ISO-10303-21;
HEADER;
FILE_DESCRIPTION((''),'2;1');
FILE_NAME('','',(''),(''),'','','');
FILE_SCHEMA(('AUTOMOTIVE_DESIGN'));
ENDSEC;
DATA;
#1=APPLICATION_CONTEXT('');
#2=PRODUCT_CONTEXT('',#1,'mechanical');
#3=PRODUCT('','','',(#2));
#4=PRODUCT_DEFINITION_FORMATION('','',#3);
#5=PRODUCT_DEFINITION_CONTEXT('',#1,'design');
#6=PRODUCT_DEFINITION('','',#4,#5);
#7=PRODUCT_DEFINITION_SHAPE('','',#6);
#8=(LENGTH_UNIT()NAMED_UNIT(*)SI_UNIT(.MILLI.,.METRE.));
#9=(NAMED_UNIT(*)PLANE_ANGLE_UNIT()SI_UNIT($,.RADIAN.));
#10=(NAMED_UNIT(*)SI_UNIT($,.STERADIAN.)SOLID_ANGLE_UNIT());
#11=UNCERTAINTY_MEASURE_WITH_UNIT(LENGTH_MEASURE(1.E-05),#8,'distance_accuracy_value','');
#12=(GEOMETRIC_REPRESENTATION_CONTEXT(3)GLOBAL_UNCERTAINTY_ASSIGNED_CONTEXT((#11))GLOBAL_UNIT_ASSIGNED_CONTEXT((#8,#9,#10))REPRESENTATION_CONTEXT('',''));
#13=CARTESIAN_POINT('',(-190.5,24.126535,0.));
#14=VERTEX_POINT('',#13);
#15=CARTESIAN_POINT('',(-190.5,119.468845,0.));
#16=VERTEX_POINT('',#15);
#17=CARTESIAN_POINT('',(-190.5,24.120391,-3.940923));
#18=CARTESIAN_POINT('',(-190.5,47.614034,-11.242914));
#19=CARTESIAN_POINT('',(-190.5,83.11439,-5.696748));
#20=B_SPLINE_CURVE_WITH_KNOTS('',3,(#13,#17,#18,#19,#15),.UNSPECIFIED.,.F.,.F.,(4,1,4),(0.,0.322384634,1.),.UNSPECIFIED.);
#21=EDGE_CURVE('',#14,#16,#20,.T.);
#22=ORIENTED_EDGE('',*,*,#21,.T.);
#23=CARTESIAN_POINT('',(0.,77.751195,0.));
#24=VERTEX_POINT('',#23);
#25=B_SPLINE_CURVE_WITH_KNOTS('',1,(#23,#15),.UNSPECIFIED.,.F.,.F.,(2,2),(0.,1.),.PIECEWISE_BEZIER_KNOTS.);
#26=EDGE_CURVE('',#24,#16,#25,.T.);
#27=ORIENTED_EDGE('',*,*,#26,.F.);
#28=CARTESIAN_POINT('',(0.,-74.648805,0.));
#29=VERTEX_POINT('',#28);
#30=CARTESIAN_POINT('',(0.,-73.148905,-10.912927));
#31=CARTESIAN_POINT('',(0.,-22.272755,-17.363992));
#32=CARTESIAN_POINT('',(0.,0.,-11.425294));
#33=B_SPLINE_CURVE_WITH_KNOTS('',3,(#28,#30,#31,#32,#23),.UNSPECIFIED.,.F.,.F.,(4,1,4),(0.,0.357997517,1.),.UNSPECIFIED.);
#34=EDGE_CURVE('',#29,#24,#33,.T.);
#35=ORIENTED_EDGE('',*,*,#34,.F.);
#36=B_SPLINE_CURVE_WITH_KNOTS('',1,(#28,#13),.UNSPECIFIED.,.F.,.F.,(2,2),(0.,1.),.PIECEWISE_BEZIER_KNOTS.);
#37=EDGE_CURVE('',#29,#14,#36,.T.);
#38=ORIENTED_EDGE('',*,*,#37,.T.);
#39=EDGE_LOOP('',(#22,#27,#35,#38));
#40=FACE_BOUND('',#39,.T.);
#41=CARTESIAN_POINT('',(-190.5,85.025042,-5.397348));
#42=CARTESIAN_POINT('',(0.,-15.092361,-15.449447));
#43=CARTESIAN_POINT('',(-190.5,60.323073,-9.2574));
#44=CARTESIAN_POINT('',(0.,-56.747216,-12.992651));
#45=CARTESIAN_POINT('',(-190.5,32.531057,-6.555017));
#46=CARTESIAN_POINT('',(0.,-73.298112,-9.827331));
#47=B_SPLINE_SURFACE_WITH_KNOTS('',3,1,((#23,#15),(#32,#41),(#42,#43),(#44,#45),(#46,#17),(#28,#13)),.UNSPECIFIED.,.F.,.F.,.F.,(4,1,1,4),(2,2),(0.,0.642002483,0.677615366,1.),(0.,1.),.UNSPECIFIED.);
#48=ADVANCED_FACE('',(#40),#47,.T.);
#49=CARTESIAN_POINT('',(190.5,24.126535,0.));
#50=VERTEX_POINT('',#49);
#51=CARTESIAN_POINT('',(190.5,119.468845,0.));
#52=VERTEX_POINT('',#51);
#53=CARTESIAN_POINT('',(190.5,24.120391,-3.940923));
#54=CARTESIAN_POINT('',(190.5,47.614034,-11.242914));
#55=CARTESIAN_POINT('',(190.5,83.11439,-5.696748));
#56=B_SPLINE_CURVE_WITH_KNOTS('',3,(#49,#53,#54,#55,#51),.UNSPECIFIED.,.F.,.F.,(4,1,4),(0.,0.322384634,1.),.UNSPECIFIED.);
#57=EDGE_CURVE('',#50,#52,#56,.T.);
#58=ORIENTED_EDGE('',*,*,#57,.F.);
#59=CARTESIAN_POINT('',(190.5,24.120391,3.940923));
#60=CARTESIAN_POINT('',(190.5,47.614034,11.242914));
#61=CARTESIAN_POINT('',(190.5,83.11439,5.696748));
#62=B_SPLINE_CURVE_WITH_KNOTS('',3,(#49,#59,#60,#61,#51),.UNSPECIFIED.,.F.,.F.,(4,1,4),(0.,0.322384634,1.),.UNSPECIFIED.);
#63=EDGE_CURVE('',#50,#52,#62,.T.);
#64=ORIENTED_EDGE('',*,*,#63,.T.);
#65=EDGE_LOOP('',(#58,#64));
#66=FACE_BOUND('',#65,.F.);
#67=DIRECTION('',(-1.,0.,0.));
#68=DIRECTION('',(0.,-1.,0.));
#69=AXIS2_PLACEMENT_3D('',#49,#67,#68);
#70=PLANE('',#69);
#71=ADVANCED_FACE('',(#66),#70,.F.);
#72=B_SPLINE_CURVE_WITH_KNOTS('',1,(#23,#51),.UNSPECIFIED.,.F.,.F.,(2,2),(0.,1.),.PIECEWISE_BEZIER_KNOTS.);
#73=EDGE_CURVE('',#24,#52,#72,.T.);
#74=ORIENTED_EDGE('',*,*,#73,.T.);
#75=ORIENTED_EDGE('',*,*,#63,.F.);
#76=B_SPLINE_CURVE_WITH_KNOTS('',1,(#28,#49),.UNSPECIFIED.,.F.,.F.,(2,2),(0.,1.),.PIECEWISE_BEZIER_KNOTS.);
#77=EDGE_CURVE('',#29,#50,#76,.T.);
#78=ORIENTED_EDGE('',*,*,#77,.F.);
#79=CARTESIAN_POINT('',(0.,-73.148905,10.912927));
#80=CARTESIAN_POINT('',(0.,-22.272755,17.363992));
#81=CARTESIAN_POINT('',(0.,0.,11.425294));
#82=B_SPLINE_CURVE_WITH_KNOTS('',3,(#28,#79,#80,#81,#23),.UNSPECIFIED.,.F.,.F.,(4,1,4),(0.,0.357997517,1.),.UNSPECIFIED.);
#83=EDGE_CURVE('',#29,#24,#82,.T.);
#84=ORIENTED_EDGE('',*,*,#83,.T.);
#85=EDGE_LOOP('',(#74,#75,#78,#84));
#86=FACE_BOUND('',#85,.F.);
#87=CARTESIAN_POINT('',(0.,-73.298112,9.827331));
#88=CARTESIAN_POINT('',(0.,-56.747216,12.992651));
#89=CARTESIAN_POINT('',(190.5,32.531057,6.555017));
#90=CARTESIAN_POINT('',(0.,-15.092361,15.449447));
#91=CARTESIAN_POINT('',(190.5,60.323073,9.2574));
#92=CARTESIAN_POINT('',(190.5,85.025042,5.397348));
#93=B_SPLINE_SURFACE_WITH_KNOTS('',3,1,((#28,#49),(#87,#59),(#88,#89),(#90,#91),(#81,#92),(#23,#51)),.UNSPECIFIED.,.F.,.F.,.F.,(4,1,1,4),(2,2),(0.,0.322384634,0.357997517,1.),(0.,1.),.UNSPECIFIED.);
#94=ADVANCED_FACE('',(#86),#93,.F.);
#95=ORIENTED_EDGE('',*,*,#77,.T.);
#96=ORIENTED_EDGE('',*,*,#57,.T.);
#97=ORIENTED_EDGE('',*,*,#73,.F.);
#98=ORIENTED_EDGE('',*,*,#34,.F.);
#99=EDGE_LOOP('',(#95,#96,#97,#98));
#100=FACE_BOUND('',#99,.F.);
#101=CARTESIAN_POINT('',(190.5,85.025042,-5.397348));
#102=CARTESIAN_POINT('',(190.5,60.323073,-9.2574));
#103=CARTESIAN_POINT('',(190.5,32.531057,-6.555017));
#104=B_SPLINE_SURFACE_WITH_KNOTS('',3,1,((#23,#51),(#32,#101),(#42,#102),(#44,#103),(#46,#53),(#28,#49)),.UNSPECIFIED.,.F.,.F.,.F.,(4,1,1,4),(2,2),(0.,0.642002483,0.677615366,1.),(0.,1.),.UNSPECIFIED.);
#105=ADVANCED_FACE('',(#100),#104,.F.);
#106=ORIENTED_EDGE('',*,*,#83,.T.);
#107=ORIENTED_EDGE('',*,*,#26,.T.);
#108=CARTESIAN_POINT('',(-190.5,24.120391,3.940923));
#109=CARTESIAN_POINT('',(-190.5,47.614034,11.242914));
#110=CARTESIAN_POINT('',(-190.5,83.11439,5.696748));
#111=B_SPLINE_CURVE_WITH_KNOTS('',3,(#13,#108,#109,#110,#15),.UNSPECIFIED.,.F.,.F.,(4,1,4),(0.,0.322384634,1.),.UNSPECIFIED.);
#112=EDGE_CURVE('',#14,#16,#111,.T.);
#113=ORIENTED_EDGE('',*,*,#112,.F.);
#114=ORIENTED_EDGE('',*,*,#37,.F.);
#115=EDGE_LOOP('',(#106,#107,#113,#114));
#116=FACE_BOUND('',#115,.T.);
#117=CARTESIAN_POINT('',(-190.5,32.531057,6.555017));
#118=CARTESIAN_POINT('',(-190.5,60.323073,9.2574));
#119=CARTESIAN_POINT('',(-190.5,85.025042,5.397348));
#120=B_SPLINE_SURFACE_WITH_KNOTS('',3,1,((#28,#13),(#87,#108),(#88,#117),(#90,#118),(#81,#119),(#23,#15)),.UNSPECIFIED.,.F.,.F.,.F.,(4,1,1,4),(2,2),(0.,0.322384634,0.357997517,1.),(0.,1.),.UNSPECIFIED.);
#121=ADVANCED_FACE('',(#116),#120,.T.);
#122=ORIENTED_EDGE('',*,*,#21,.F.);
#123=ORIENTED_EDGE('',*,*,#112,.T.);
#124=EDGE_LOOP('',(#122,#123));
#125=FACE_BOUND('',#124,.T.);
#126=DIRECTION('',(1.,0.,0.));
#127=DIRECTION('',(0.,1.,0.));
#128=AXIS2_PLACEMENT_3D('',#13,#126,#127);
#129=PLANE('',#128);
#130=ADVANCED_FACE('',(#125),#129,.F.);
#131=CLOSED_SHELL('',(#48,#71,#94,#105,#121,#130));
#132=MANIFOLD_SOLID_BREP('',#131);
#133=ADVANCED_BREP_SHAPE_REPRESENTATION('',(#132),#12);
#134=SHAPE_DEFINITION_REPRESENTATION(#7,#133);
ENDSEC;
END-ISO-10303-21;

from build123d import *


with BuildPart() as f3:
    # F0 (on Right) → F3 section 0
    with BuildSketch(Plane.YZ):
        with BuildLine():
            add(Edge.make_bspline(
                [(-74.6488047036, 0), (-73.1489053966, 10.9129272424), (-22.272755378, 17.3639923162), (0, 11.4252935935), (77.7511952964, 0)],
                knots=[0, 0, 0, 0, 0.3579975169, 1, 1, 1, 1], degree=3))
            add(Edge.make_bspline(
                [(-74.6488047036, 0), (-73.1489053966, -10.9129272424), (-22.272755378, -17.3639923162), (0, -11.4252935935), (77.7511952964, 0)],
                knots=[0, 0, 0, 0, 0.3579975169, 1, 1, 1, 1], degree=3))
        make_face()
    # F2 (on offset) → F3 section 1
    with BuildSketch(Plane.YZ.offset(-190.5)):
        with BuildLine():
            add(Edge.make_bspline(
                [(24.1265352815, 0), (24.1203909695, 3.9409226355), (47.6140337916, 11.2429135324), (83.1143904431, 5.6967475629), (119.468845427, 0)],
                knots=[0, 0, 0, 0, 0.3223846335, 1, 1, 1, 1], degree=3))
            add(Edge.make_bspline(
                [(24.1265352815, 0), (24.1203909695, -3.9409226355), (47.6140337916, -11.2429135324), (83.1143904431, -5.6967475629), (119.468845427, 0)],
                knots=[0, 0, 0, 0, 0.3223846335, 1, 1, 1, 1], degree=3))
        make_face()
    loft()

    # F4: F3 across plane


with BuildPart() as f3_1:
    add(f3.part)
    add(f3.part.mirror(Plane.YZ))


solid = f3_1.part
